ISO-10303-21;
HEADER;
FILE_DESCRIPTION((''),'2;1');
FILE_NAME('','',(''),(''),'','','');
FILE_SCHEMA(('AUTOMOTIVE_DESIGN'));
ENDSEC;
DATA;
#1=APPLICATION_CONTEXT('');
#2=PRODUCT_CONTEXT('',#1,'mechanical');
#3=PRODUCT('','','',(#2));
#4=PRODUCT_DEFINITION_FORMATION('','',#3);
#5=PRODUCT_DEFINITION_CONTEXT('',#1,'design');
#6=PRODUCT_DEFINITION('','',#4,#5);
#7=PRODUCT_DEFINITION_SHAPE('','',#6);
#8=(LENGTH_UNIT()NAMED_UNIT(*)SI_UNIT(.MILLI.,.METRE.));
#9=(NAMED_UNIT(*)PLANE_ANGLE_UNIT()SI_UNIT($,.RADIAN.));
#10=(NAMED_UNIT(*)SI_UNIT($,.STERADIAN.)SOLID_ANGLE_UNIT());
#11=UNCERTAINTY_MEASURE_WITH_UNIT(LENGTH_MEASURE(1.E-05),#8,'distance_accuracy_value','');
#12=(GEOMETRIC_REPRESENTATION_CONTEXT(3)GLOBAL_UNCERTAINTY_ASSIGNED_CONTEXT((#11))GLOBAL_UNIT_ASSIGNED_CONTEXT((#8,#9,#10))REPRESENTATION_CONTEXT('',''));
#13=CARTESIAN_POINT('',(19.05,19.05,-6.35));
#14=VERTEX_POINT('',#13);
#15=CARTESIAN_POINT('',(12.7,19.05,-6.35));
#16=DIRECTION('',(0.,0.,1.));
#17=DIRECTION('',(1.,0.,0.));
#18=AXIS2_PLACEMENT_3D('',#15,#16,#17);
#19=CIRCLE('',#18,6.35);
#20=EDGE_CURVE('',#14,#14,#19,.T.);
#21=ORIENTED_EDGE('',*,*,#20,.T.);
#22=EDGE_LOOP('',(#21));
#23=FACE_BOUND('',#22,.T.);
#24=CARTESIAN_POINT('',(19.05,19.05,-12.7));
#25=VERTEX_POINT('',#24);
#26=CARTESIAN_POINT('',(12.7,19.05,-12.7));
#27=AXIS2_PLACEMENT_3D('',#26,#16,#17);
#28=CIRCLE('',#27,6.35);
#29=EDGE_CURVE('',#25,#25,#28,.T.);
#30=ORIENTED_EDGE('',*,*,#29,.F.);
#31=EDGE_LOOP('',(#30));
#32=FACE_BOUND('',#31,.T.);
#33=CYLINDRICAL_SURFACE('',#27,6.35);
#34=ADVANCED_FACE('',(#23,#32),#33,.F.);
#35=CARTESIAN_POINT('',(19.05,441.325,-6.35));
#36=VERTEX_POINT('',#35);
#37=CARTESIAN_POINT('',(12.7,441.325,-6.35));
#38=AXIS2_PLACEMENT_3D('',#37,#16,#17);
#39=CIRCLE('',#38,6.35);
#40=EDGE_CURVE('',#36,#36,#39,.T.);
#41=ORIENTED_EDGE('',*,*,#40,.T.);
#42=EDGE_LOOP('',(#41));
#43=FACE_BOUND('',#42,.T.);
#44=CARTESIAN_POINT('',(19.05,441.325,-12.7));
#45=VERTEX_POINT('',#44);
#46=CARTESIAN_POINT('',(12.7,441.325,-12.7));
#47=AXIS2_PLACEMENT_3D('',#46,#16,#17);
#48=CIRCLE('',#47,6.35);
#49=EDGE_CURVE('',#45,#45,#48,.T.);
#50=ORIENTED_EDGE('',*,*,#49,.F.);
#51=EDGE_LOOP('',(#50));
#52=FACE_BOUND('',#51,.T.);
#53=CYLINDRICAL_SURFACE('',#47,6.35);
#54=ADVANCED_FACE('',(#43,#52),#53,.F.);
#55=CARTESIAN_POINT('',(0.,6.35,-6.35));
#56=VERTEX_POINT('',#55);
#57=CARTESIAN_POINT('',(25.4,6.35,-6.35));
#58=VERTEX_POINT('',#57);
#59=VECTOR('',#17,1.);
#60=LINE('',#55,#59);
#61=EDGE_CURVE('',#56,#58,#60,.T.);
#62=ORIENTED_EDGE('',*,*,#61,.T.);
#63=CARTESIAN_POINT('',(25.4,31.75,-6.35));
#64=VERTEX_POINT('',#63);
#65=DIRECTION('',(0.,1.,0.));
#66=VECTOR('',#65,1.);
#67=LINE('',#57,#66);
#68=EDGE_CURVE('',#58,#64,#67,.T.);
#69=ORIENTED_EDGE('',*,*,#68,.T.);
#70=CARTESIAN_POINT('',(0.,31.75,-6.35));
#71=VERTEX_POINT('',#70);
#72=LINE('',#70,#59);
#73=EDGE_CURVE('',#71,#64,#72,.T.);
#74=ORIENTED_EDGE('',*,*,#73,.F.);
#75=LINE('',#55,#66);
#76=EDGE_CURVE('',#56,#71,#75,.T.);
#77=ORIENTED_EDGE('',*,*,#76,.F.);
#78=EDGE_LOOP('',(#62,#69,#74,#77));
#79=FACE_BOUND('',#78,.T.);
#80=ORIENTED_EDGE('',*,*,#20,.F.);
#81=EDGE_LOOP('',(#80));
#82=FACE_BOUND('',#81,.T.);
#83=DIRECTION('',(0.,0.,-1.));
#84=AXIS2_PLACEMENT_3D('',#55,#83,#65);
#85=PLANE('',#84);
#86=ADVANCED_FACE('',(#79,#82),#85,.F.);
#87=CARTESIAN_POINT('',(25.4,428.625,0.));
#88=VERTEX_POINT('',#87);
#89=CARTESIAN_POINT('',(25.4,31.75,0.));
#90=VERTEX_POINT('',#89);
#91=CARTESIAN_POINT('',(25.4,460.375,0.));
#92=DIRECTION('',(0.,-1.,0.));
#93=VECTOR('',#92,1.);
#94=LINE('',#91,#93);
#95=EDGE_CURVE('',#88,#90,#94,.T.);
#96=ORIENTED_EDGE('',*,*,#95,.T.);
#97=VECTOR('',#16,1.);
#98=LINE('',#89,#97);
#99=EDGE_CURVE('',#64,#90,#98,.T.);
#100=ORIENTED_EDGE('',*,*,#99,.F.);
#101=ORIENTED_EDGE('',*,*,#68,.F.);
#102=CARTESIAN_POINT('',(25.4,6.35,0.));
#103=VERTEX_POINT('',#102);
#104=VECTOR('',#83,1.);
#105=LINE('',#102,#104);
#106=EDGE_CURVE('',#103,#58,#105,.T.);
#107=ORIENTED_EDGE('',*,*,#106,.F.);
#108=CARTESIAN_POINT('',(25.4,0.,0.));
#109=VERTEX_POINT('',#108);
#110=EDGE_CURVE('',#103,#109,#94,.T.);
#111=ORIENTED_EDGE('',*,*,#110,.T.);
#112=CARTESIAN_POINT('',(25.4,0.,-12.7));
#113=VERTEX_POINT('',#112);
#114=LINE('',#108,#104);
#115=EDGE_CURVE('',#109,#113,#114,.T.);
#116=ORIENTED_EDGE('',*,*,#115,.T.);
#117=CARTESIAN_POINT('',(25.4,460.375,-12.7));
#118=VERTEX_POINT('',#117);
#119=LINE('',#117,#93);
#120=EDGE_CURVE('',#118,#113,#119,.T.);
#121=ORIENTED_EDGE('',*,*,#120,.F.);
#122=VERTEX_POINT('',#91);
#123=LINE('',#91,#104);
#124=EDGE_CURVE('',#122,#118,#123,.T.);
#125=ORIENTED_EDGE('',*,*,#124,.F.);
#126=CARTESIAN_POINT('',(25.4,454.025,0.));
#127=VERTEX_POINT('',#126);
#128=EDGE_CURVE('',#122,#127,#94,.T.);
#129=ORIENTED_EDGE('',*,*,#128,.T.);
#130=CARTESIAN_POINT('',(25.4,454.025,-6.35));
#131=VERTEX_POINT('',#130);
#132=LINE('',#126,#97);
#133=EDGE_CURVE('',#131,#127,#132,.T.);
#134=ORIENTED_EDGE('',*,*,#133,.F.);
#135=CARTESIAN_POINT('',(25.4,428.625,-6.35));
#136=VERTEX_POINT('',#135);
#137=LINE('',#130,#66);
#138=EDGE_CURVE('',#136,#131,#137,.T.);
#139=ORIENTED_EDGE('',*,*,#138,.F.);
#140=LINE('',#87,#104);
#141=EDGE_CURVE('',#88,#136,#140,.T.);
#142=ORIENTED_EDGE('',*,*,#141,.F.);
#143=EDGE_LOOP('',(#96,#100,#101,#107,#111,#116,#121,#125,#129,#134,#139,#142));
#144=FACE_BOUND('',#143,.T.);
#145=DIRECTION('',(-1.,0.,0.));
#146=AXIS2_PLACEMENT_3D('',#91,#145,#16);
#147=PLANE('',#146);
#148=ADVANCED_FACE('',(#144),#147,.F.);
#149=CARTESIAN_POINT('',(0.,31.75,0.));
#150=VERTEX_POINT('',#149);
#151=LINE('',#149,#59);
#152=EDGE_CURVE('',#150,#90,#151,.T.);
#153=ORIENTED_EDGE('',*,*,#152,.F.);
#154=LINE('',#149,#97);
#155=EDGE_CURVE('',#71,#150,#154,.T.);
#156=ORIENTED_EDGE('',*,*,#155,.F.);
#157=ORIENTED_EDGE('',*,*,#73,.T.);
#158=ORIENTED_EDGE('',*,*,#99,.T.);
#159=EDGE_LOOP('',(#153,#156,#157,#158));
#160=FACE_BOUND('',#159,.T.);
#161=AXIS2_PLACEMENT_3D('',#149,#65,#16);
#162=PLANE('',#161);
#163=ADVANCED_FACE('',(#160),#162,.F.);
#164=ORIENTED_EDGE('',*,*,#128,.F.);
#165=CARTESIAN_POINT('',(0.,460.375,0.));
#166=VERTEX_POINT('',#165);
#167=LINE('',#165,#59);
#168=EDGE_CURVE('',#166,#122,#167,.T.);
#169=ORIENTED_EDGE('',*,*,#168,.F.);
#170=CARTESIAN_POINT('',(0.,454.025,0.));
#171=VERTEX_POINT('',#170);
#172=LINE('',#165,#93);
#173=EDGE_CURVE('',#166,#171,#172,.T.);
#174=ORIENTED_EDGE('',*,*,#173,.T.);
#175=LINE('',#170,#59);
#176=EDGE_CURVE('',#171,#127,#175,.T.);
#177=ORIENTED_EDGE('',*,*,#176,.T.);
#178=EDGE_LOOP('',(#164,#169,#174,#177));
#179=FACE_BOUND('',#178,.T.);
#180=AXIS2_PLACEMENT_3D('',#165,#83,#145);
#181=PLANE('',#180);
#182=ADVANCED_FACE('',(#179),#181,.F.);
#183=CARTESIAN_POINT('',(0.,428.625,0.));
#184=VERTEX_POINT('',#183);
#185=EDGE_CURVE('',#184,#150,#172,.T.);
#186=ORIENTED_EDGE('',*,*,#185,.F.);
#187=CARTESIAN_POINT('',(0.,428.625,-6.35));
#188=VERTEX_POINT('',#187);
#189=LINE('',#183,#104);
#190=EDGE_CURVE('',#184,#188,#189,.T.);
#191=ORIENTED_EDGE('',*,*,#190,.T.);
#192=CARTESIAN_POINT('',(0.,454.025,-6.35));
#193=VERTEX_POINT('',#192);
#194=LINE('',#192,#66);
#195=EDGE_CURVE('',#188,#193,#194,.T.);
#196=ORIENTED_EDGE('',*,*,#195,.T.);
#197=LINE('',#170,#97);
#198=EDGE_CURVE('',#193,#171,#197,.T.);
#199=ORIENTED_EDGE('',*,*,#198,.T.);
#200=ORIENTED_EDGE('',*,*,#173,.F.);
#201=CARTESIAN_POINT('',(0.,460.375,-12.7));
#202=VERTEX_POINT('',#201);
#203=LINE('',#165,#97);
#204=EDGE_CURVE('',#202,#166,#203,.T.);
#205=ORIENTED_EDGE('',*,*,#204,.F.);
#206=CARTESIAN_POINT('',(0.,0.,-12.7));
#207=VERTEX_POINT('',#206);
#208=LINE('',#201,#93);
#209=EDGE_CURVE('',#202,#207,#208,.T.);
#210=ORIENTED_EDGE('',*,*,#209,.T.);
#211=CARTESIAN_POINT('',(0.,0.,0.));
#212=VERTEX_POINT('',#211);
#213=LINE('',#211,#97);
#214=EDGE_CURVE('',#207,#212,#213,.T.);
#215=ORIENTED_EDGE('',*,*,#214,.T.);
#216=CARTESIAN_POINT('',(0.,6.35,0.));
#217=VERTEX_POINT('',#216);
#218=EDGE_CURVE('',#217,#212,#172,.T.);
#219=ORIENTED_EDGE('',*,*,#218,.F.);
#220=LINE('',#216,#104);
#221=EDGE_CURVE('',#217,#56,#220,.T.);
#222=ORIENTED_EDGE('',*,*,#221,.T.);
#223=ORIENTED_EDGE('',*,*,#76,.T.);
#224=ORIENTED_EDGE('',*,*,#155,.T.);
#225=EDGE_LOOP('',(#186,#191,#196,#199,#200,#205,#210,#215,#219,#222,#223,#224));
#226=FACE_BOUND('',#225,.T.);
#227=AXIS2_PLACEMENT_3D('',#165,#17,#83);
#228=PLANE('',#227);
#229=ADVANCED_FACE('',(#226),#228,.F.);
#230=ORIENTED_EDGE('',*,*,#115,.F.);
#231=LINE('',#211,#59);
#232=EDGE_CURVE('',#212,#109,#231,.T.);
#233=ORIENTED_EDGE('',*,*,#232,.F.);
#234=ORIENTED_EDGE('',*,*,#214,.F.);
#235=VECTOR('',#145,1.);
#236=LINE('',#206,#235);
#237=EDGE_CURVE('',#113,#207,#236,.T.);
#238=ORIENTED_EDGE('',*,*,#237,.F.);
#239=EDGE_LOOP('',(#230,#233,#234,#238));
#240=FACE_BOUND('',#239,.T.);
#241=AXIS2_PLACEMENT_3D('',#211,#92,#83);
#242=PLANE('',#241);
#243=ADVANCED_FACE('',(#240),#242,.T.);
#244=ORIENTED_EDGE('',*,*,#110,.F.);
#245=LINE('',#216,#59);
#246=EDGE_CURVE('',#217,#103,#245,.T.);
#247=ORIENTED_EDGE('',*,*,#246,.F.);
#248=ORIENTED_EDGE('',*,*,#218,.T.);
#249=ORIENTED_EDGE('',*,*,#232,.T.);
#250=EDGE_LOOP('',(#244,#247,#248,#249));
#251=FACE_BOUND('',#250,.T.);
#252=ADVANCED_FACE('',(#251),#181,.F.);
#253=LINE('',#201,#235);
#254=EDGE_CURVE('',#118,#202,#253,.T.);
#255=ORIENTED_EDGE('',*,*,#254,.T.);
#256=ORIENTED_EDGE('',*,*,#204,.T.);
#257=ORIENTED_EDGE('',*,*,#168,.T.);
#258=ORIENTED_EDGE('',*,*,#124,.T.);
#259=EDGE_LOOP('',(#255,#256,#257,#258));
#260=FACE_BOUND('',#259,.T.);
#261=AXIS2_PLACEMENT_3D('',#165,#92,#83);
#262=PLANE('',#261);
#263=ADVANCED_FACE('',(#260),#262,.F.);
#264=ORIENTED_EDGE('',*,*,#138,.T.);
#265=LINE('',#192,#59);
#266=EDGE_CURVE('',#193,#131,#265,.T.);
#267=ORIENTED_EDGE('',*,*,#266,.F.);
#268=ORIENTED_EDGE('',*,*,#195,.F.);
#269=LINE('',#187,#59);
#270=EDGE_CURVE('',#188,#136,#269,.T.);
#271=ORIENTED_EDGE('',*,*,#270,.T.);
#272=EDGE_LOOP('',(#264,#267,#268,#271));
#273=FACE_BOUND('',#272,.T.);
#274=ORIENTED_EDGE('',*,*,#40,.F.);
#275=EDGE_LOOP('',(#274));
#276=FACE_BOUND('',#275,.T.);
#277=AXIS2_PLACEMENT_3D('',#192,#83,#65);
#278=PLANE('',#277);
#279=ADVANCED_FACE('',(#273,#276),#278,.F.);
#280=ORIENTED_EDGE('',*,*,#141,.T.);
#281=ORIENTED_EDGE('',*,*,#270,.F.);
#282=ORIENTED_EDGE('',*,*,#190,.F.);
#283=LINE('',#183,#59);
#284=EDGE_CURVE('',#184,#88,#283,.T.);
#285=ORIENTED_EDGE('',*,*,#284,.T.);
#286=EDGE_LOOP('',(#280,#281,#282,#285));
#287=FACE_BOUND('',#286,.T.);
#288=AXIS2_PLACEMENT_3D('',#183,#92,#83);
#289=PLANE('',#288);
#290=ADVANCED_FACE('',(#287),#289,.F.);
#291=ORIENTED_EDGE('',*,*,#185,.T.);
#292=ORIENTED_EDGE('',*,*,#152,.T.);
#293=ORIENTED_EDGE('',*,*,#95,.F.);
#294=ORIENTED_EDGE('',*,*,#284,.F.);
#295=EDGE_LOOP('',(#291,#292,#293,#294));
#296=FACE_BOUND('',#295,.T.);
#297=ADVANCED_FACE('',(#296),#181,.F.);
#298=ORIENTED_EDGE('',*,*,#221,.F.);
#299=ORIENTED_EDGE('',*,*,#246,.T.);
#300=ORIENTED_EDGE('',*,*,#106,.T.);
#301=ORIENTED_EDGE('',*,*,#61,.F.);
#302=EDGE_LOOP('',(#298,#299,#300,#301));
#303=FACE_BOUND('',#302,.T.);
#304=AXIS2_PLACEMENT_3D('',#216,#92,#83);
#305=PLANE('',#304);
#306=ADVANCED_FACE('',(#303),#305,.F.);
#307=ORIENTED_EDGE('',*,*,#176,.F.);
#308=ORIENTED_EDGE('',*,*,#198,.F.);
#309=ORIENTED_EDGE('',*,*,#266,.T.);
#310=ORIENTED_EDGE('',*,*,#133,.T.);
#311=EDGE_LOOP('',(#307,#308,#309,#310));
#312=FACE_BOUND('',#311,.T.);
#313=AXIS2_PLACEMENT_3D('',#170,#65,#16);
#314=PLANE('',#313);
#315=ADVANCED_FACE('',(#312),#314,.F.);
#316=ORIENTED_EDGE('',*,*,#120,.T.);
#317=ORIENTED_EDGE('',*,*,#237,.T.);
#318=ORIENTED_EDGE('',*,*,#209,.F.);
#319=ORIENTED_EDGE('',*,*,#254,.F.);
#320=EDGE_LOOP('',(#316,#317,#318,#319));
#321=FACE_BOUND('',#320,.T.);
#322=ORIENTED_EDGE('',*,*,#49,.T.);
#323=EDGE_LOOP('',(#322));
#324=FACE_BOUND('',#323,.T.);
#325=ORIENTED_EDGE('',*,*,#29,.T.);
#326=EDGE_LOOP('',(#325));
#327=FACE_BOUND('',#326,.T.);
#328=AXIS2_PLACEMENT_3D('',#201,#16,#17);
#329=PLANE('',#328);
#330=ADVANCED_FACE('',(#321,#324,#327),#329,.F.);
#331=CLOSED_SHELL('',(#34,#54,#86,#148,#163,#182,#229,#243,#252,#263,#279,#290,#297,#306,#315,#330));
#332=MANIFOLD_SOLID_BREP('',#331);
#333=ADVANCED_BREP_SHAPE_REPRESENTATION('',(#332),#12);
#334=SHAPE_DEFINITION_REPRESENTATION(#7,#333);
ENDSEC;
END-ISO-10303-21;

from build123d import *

# Parameters (mm, degrees)
SKETCH1_W           = 25.4
SKETCH1_H           = 12.7
BOSS_EXTRUDE1_DEPTH = 460.375
SKETCH2_W           = 6.35
SKETCH2_H           = 25.4
CUT_EXTRUDE1_DEPTH  = 462.250030488
SKETCH3_R           = 6.35
CUT_EXTRUDE2_DEPTH  = 462.11888177


with BuildPart() as part:
    # Sketch1 → Boss-Extrude1 (new body)
    with BuildSketch(Plane(origin=(0, 0, 0), x_dir=(1, 0, 0), z_dir=(0, 1, 0))):
        with Locations((12.7, 6.35)):
            Rectangle(SKETCH1_W, SKETCH1_H)
    extrude(amount=BOSS_EXTRUDE1_DEPTH)

    # Sketch2 → Cut-Extrude1 (cut, through all)
    with BuildSketch(Plane(origin=(25.4, 0, 0), x_dir=(0, 0, -1), z_dir=(1, 0, 0))):
        with Locations((3.175, 441.325)):
            Rectangle(SKETCH2_W, SKETCH2_H)
        with Locations((3.175, 19.05)):
            Rectangle(SKETCH2_W, SKETCH2_H)
    extrude(amount=-CUT_EXTRUDE1_DEPTH, mode=Mode.SUBTRACT)

    # Sketch3 → Cut-Extrude2 (cut, through all)
    with BuildSketch(Plane.XY.offset(-6.35)):
        with Locations((12.7, 441.325)):
            Circle(SKETCH3_R)
        with Locations((12.7, 19.05)):
            Circle(SKETCH3_R)
    extrude(amount=-CUT_EXTRUDE2_DEPTH, mode=Mode.SUBTRACT)


solid = part.part
